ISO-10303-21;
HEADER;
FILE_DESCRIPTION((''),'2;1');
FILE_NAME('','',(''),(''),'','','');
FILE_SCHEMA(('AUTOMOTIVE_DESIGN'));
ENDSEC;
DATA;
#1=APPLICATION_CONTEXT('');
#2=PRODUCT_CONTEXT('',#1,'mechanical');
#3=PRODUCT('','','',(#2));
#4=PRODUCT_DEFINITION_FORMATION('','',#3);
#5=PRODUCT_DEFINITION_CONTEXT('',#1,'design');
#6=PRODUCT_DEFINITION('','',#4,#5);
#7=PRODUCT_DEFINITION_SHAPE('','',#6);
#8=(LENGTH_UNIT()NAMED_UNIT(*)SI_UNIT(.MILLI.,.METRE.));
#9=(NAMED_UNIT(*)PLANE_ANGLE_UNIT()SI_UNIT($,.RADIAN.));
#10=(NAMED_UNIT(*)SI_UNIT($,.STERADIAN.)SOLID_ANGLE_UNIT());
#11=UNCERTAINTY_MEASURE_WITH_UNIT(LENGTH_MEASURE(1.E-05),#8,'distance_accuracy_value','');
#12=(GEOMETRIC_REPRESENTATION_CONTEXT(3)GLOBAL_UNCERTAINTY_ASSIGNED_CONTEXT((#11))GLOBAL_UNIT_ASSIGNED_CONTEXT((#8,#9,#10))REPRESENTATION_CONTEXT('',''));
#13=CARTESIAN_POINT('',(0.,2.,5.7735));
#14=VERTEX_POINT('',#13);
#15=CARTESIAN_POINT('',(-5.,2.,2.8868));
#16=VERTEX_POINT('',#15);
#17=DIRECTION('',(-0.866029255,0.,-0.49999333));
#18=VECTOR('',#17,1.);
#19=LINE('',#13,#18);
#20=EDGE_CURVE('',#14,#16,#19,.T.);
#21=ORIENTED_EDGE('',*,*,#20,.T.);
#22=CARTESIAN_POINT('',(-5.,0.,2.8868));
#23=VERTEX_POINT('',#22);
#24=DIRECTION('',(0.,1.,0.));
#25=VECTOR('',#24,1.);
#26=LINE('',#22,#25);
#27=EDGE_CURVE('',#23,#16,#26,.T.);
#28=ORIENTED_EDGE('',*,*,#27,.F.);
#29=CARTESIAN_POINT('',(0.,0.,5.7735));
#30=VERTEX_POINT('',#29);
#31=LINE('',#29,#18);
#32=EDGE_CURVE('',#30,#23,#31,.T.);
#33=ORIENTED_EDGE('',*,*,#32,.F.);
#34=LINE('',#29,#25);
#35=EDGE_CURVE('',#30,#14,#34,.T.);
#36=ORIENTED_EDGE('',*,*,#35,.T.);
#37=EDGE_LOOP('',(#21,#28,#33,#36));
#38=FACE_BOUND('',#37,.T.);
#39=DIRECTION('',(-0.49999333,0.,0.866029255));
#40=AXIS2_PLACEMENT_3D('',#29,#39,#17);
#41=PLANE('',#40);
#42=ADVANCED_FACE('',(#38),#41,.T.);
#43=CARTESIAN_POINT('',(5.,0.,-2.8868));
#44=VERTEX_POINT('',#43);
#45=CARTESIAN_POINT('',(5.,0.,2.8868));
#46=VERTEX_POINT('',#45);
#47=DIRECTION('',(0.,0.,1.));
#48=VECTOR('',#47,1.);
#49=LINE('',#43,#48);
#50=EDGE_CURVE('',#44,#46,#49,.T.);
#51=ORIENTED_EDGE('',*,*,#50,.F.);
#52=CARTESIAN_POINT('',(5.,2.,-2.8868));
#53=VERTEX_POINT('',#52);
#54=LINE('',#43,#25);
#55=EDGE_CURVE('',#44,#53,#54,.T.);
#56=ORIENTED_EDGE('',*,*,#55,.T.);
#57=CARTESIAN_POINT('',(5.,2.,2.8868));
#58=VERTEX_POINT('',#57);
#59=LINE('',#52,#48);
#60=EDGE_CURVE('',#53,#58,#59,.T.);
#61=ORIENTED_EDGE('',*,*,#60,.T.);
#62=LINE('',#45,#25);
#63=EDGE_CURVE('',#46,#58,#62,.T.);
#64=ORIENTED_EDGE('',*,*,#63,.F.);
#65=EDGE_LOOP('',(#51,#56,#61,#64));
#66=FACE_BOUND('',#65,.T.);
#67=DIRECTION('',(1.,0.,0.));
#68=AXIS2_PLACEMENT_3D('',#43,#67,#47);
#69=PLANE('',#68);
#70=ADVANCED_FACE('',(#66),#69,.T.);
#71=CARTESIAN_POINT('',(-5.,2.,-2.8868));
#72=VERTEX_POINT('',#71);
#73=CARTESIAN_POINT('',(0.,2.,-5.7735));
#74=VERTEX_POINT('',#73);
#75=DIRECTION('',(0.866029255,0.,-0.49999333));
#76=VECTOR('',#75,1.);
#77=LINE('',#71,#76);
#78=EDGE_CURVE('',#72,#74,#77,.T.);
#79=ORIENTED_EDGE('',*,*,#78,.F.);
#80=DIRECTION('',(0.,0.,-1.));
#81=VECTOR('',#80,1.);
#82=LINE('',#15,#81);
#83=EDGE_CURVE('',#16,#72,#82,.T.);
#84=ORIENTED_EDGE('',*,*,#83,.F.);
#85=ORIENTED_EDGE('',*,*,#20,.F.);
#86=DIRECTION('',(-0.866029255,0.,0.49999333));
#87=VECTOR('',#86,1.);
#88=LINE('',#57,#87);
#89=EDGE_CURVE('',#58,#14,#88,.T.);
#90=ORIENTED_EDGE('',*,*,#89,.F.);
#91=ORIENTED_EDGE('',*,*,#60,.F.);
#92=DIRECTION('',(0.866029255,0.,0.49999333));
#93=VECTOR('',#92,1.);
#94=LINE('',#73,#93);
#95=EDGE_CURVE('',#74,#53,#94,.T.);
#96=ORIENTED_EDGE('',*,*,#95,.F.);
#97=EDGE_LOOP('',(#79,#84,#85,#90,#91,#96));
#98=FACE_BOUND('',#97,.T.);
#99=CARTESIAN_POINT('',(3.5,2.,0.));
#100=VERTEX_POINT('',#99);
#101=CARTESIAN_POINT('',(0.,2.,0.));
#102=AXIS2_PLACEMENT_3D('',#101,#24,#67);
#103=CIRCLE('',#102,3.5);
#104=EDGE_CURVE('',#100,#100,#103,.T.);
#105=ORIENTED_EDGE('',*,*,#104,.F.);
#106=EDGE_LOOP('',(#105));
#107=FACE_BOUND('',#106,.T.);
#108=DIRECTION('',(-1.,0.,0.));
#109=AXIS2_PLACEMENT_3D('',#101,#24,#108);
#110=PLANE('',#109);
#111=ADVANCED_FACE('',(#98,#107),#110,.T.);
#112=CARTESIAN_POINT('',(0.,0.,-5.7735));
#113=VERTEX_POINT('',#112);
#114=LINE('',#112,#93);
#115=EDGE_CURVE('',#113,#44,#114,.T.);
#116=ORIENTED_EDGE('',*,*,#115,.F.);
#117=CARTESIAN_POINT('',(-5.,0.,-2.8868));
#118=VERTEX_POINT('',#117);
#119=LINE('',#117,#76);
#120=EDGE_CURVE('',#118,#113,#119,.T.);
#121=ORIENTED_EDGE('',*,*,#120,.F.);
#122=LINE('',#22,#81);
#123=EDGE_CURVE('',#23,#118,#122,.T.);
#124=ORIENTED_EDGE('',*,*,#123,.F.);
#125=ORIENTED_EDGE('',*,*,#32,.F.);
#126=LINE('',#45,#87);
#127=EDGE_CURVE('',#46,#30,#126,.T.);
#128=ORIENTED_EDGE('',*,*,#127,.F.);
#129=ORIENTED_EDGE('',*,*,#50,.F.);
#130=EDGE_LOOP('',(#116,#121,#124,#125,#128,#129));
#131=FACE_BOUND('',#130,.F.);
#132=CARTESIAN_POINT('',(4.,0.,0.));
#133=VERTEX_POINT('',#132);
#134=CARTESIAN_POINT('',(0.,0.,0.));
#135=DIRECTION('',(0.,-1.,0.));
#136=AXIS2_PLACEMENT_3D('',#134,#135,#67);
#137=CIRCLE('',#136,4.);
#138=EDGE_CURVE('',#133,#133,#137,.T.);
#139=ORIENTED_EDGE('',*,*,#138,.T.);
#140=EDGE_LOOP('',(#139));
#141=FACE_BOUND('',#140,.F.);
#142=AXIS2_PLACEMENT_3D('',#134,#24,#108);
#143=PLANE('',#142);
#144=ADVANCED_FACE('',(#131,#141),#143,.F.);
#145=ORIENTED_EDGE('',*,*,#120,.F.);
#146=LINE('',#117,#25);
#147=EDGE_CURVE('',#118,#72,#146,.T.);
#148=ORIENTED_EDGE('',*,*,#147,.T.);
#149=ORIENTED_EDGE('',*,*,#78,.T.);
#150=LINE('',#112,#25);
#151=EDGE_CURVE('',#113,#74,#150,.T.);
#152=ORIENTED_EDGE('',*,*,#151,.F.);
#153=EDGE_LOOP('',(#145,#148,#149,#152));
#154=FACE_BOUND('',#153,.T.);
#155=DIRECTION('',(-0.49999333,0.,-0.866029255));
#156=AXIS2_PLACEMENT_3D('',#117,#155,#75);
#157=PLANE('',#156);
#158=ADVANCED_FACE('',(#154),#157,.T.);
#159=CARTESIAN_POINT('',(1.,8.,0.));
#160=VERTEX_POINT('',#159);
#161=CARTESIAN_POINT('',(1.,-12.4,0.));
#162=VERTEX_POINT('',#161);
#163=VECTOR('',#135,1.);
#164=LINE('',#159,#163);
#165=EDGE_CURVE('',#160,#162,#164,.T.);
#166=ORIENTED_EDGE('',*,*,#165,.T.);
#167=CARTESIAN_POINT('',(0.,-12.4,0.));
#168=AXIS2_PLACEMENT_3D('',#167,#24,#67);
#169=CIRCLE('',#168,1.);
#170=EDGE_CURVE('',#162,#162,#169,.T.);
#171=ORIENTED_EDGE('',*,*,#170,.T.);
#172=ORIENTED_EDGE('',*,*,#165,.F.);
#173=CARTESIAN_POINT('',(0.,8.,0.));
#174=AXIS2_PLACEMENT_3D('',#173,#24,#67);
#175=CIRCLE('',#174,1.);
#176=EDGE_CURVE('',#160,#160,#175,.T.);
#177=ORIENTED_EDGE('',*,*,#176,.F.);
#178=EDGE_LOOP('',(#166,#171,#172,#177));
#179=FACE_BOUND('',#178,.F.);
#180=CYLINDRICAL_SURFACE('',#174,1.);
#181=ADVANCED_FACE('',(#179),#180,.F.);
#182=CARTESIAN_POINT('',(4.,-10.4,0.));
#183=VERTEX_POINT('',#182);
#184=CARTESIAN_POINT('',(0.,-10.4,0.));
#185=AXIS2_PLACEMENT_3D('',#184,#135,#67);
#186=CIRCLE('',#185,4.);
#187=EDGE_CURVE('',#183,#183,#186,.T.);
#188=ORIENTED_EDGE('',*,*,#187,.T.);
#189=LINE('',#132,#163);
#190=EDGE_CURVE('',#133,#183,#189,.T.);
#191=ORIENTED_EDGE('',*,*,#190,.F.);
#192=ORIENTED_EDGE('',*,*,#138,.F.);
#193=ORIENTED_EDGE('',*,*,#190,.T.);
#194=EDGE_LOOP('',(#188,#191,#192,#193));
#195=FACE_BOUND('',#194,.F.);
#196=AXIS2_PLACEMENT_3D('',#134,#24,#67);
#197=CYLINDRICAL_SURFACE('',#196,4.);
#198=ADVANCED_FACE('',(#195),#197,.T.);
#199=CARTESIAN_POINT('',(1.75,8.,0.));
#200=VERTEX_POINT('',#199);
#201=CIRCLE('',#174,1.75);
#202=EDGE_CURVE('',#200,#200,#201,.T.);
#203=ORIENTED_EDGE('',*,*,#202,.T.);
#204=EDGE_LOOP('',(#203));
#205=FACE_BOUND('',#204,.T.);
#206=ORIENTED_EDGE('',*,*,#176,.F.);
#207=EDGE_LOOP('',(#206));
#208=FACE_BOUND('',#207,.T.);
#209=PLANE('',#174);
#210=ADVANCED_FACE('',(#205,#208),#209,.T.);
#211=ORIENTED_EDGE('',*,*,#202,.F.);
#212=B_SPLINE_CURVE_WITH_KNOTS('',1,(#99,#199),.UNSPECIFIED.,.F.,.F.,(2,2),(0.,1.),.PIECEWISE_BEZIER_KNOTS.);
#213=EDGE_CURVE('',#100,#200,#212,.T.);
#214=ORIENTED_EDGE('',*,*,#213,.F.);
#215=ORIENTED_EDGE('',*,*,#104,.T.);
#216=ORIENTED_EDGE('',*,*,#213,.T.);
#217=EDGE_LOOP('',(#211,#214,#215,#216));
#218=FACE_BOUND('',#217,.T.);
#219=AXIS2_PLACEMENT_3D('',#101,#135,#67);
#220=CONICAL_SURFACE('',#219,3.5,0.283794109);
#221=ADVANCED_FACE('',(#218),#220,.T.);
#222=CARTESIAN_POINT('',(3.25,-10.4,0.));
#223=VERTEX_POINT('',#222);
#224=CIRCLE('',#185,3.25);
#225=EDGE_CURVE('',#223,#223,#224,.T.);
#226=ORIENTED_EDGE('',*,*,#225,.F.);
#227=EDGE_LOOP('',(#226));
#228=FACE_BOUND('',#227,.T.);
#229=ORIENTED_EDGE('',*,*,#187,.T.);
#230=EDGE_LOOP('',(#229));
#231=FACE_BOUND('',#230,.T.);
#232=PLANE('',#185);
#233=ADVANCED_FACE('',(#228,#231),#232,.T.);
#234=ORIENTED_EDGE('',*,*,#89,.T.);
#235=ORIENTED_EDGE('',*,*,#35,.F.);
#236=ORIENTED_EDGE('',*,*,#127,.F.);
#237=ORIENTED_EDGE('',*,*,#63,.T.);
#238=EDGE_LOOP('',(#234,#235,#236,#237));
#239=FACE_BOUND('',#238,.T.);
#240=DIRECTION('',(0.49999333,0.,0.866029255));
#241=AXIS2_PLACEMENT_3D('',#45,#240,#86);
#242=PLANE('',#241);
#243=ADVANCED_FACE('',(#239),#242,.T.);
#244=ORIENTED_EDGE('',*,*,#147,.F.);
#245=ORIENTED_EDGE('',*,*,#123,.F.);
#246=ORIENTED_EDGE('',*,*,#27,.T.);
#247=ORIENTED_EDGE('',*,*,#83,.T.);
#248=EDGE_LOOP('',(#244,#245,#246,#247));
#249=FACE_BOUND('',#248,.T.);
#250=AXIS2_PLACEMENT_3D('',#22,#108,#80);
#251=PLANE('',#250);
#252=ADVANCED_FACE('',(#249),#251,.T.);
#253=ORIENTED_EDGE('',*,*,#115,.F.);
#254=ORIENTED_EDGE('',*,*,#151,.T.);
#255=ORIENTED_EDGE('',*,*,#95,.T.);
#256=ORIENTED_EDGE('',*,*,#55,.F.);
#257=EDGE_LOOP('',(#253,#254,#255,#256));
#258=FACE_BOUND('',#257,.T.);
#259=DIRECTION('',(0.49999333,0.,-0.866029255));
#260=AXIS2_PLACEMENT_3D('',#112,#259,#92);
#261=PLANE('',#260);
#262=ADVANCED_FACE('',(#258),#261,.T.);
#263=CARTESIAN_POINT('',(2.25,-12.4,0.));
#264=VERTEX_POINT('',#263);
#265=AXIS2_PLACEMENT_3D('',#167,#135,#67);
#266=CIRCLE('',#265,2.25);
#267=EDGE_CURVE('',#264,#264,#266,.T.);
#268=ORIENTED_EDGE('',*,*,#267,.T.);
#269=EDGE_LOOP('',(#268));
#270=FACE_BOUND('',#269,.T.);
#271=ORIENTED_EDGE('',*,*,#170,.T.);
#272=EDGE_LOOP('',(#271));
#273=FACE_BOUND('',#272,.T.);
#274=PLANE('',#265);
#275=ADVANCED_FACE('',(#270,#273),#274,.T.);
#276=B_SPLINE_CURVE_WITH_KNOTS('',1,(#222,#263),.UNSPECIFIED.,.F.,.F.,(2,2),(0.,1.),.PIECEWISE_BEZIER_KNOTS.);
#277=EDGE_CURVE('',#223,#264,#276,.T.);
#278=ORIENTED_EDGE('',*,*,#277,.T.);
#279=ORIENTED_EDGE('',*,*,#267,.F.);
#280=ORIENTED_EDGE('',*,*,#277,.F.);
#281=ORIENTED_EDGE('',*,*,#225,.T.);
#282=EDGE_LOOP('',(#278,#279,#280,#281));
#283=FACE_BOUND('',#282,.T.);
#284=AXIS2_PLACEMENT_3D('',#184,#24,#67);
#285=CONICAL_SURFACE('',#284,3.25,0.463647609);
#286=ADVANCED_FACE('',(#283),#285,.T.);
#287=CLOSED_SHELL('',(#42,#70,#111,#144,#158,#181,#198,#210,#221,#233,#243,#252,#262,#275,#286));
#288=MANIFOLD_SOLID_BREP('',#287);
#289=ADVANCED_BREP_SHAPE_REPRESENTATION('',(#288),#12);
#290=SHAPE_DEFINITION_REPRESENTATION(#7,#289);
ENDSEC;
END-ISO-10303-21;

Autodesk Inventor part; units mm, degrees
ref_plane "YZ Plane" through (0, 0, 0) normal (1, 0, 0) x (0, 1, 0)
sketch "Sketch1" plane through (0, 0, 0) normal (0, 1, 0) x (-1, 0, 0)
  line L0 (0, 5.7735) -> (5, 2.8868)
  line L1 (5, 2.8868) -> (5, -2.8868)
  line L2 (5, -2.8868) -> (0, -5.7735)
  line L3 (0, -5.7735) -> (-5, -2.8868)
  line L4 (-5, -2.8868) -> (-5, 2.8868)
  line L5 (-5, 2.8868) -> (0, 5.7735)
  point P0 (0, 0)
  dimension "d24" = 10
extrude "Extrusion1" add sketch "Sketch1" along normal blind 2
sketch "Sketch2" plane through (0, 2, 0) normal (0, 1, 0) x (1, 0, 0)
  circle A0 centre (0, 0) radius 3.5
  dimension "d2" = 7
ref_plane "Work Plane1" through (0, 8, 0) normal (0, 1, 0) x (1, 0, 0)
sketch "Sketch3" plane through (0, 8, 0) normal (0, 1, 0) x (1, 0, 0)
  circle A0 centre (0, 0) radius 1.75
  dimension "d4" = 3.5
loft "Loft1" add profiles "Sketch2", "Sketch3"
sketch "Sketch4" plane through (0, 0, 0) normal (0, -1, 0) x (1, 0, 0)
  circle A0 centre (0, 0) radius 4
  dimension "d9" = 8
extrude "Extrusion2" add sketch "Sketch4" along normal blind 10.4
thread "Thread1" size "M8x1.25" class "6g" standard "ANSI Metric M Profile" length 8 offset 2.4
sketch "Sketch5" plane through (0, 8, 0) normal (0, 1, 0) x (1, 0, 0)
  circle A0 centre (0, 0) radius 1
  dimension "d14" = 2
ref_plane "Work Plane2" through (0, -12.4, 0) normal (0, -1, 0) x (1, 0, 0)
sketch "Sketch6" plane through (0, -12.4, 0) normal (0, -1, 0) x (1, 0, 0)
  circle A0 centre (0, 0) radius 2.25
  dimension "d16" = 4.5
sketch "Sketch7" plane through (0, -10.4, 0) normal (0, -1, 0) x (1, 0, 0)
  circle A0 centre (0, 0) radius 3.25
  dimension "d17" = 6.5
loft "Loft2" add profiles "Sketch7", "Sketch6"
extrude "Extrusion3" cut sketch "Sketch5" against normal up to surface (20.4 mm away)
properties part number "ZKE-Term-Solid"
